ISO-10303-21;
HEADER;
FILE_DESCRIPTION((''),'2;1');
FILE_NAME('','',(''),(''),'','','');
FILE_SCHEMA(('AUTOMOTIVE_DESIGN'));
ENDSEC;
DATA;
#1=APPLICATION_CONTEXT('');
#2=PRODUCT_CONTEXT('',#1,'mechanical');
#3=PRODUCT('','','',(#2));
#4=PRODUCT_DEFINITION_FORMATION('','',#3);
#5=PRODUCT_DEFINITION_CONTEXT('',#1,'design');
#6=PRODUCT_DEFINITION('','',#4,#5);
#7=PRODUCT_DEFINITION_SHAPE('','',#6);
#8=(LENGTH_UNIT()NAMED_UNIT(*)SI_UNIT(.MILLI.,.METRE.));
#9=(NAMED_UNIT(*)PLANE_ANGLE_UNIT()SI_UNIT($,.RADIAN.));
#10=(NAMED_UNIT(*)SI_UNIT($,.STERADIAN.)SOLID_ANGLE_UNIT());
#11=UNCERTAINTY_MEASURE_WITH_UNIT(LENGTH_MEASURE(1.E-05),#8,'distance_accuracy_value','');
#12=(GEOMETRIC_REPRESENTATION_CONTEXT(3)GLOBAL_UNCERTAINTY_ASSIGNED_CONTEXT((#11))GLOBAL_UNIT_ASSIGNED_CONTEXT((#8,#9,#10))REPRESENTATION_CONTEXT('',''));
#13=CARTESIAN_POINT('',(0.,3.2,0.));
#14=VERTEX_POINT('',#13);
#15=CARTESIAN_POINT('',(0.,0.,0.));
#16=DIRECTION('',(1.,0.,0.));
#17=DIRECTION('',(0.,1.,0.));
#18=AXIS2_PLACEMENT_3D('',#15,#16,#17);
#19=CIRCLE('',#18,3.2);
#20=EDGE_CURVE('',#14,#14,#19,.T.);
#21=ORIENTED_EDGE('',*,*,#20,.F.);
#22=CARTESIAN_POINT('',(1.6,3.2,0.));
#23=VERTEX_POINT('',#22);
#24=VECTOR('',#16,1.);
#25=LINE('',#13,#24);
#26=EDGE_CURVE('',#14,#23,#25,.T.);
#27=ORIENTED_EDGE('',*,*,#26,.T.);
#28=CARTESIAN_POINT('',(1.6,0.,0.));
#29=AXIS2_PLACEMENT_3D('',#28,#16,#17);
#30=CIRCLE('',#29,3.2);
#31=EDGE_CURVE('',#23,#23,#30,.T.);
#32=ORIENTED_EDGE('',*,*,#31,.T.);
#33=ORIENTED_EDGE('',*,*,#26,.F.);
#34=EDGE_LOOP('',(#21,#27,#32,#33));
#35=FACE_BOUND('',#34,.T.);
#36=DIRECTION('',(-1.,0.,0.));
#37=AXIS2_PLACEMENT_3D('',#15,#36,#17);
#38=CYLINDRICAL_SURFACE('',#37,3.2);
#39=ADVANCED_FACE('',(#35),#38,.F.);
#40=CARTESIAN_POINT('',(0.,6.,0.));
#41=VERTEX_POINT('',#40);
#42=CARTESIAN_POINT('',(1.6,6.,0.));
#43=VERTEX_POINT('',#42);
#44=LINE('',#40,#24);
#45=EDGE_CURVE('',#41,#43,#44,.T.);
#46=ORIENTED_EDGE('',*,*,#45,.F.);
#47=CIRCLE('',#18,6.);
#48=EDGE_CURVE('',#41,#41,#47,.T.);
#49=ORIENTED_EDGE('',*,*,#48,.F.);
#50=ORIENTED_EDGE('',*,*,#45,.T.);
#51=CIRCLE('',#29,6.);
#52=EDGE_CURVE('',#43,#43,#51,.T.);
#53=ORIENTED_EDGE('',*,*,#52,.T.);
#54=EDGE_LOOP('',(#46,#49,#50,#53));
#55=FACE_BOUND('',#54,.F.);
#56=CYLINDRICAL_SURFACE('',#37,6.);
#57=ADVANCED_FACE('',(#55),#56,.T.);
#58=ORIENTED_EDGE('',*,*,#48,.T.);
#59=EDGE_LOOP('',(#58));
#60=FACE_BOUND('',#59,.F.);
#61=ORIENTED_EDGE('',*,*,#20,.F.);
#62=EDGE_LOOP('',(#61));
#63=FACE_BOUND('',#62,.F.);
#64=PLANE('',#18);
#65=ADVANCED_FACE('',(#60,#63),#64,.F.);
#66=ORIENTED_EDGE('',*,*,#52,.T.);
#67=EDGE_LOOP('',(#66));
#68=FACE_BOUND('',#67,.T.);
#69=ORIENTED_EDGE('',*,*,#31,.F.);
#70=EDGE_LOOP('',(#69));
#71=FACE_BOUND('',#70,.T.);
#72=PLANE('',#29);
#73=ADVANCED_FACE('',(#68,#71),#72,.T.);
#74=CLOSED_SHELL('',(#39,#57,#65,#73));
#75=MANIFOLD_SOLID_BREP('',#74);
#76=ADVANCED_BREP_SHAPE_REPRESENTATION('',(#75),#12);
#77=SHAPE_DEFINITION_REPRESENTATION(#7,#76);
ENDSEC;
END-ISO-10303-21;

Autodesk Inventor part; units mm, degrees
ref_plane "YZ Plane" through (0, 0, 0) normal (1, 0, 0) x (0, 1, 0)
ref_plane "XZ Plane" through (0, 0, 0) normal (0, 1, 0) x (-1, 0, 0)
sketch "Sketch" plane through (0, 0, 0) normal (1, 0, 0) x (0, 1, 0)
  circle A0 centre (0, 0) radius 6
  circle A1 centre (0, 0) radius 3.2
  dimension "d0" = 6.4
  dimension "d1" = 12
extrude "Body" add sketch "Sketch" along normal blind 1.6
ref_plane "Work Plane1" through (0, 0, 0) normal (0, 0, 1) x (1, 0, 0)
equation "\"d0\" = SD1"
equation "\"d1\" = SD2"
equation "\"d2\" = SD"
equation "\"SD1\" = 6.4"
equation "\"SD2\" = 12"
equation "\"SD\" = 1.6"
equation "\"NND\" = 6"
properties part number "washer_m6" material "Steel, Mild"
